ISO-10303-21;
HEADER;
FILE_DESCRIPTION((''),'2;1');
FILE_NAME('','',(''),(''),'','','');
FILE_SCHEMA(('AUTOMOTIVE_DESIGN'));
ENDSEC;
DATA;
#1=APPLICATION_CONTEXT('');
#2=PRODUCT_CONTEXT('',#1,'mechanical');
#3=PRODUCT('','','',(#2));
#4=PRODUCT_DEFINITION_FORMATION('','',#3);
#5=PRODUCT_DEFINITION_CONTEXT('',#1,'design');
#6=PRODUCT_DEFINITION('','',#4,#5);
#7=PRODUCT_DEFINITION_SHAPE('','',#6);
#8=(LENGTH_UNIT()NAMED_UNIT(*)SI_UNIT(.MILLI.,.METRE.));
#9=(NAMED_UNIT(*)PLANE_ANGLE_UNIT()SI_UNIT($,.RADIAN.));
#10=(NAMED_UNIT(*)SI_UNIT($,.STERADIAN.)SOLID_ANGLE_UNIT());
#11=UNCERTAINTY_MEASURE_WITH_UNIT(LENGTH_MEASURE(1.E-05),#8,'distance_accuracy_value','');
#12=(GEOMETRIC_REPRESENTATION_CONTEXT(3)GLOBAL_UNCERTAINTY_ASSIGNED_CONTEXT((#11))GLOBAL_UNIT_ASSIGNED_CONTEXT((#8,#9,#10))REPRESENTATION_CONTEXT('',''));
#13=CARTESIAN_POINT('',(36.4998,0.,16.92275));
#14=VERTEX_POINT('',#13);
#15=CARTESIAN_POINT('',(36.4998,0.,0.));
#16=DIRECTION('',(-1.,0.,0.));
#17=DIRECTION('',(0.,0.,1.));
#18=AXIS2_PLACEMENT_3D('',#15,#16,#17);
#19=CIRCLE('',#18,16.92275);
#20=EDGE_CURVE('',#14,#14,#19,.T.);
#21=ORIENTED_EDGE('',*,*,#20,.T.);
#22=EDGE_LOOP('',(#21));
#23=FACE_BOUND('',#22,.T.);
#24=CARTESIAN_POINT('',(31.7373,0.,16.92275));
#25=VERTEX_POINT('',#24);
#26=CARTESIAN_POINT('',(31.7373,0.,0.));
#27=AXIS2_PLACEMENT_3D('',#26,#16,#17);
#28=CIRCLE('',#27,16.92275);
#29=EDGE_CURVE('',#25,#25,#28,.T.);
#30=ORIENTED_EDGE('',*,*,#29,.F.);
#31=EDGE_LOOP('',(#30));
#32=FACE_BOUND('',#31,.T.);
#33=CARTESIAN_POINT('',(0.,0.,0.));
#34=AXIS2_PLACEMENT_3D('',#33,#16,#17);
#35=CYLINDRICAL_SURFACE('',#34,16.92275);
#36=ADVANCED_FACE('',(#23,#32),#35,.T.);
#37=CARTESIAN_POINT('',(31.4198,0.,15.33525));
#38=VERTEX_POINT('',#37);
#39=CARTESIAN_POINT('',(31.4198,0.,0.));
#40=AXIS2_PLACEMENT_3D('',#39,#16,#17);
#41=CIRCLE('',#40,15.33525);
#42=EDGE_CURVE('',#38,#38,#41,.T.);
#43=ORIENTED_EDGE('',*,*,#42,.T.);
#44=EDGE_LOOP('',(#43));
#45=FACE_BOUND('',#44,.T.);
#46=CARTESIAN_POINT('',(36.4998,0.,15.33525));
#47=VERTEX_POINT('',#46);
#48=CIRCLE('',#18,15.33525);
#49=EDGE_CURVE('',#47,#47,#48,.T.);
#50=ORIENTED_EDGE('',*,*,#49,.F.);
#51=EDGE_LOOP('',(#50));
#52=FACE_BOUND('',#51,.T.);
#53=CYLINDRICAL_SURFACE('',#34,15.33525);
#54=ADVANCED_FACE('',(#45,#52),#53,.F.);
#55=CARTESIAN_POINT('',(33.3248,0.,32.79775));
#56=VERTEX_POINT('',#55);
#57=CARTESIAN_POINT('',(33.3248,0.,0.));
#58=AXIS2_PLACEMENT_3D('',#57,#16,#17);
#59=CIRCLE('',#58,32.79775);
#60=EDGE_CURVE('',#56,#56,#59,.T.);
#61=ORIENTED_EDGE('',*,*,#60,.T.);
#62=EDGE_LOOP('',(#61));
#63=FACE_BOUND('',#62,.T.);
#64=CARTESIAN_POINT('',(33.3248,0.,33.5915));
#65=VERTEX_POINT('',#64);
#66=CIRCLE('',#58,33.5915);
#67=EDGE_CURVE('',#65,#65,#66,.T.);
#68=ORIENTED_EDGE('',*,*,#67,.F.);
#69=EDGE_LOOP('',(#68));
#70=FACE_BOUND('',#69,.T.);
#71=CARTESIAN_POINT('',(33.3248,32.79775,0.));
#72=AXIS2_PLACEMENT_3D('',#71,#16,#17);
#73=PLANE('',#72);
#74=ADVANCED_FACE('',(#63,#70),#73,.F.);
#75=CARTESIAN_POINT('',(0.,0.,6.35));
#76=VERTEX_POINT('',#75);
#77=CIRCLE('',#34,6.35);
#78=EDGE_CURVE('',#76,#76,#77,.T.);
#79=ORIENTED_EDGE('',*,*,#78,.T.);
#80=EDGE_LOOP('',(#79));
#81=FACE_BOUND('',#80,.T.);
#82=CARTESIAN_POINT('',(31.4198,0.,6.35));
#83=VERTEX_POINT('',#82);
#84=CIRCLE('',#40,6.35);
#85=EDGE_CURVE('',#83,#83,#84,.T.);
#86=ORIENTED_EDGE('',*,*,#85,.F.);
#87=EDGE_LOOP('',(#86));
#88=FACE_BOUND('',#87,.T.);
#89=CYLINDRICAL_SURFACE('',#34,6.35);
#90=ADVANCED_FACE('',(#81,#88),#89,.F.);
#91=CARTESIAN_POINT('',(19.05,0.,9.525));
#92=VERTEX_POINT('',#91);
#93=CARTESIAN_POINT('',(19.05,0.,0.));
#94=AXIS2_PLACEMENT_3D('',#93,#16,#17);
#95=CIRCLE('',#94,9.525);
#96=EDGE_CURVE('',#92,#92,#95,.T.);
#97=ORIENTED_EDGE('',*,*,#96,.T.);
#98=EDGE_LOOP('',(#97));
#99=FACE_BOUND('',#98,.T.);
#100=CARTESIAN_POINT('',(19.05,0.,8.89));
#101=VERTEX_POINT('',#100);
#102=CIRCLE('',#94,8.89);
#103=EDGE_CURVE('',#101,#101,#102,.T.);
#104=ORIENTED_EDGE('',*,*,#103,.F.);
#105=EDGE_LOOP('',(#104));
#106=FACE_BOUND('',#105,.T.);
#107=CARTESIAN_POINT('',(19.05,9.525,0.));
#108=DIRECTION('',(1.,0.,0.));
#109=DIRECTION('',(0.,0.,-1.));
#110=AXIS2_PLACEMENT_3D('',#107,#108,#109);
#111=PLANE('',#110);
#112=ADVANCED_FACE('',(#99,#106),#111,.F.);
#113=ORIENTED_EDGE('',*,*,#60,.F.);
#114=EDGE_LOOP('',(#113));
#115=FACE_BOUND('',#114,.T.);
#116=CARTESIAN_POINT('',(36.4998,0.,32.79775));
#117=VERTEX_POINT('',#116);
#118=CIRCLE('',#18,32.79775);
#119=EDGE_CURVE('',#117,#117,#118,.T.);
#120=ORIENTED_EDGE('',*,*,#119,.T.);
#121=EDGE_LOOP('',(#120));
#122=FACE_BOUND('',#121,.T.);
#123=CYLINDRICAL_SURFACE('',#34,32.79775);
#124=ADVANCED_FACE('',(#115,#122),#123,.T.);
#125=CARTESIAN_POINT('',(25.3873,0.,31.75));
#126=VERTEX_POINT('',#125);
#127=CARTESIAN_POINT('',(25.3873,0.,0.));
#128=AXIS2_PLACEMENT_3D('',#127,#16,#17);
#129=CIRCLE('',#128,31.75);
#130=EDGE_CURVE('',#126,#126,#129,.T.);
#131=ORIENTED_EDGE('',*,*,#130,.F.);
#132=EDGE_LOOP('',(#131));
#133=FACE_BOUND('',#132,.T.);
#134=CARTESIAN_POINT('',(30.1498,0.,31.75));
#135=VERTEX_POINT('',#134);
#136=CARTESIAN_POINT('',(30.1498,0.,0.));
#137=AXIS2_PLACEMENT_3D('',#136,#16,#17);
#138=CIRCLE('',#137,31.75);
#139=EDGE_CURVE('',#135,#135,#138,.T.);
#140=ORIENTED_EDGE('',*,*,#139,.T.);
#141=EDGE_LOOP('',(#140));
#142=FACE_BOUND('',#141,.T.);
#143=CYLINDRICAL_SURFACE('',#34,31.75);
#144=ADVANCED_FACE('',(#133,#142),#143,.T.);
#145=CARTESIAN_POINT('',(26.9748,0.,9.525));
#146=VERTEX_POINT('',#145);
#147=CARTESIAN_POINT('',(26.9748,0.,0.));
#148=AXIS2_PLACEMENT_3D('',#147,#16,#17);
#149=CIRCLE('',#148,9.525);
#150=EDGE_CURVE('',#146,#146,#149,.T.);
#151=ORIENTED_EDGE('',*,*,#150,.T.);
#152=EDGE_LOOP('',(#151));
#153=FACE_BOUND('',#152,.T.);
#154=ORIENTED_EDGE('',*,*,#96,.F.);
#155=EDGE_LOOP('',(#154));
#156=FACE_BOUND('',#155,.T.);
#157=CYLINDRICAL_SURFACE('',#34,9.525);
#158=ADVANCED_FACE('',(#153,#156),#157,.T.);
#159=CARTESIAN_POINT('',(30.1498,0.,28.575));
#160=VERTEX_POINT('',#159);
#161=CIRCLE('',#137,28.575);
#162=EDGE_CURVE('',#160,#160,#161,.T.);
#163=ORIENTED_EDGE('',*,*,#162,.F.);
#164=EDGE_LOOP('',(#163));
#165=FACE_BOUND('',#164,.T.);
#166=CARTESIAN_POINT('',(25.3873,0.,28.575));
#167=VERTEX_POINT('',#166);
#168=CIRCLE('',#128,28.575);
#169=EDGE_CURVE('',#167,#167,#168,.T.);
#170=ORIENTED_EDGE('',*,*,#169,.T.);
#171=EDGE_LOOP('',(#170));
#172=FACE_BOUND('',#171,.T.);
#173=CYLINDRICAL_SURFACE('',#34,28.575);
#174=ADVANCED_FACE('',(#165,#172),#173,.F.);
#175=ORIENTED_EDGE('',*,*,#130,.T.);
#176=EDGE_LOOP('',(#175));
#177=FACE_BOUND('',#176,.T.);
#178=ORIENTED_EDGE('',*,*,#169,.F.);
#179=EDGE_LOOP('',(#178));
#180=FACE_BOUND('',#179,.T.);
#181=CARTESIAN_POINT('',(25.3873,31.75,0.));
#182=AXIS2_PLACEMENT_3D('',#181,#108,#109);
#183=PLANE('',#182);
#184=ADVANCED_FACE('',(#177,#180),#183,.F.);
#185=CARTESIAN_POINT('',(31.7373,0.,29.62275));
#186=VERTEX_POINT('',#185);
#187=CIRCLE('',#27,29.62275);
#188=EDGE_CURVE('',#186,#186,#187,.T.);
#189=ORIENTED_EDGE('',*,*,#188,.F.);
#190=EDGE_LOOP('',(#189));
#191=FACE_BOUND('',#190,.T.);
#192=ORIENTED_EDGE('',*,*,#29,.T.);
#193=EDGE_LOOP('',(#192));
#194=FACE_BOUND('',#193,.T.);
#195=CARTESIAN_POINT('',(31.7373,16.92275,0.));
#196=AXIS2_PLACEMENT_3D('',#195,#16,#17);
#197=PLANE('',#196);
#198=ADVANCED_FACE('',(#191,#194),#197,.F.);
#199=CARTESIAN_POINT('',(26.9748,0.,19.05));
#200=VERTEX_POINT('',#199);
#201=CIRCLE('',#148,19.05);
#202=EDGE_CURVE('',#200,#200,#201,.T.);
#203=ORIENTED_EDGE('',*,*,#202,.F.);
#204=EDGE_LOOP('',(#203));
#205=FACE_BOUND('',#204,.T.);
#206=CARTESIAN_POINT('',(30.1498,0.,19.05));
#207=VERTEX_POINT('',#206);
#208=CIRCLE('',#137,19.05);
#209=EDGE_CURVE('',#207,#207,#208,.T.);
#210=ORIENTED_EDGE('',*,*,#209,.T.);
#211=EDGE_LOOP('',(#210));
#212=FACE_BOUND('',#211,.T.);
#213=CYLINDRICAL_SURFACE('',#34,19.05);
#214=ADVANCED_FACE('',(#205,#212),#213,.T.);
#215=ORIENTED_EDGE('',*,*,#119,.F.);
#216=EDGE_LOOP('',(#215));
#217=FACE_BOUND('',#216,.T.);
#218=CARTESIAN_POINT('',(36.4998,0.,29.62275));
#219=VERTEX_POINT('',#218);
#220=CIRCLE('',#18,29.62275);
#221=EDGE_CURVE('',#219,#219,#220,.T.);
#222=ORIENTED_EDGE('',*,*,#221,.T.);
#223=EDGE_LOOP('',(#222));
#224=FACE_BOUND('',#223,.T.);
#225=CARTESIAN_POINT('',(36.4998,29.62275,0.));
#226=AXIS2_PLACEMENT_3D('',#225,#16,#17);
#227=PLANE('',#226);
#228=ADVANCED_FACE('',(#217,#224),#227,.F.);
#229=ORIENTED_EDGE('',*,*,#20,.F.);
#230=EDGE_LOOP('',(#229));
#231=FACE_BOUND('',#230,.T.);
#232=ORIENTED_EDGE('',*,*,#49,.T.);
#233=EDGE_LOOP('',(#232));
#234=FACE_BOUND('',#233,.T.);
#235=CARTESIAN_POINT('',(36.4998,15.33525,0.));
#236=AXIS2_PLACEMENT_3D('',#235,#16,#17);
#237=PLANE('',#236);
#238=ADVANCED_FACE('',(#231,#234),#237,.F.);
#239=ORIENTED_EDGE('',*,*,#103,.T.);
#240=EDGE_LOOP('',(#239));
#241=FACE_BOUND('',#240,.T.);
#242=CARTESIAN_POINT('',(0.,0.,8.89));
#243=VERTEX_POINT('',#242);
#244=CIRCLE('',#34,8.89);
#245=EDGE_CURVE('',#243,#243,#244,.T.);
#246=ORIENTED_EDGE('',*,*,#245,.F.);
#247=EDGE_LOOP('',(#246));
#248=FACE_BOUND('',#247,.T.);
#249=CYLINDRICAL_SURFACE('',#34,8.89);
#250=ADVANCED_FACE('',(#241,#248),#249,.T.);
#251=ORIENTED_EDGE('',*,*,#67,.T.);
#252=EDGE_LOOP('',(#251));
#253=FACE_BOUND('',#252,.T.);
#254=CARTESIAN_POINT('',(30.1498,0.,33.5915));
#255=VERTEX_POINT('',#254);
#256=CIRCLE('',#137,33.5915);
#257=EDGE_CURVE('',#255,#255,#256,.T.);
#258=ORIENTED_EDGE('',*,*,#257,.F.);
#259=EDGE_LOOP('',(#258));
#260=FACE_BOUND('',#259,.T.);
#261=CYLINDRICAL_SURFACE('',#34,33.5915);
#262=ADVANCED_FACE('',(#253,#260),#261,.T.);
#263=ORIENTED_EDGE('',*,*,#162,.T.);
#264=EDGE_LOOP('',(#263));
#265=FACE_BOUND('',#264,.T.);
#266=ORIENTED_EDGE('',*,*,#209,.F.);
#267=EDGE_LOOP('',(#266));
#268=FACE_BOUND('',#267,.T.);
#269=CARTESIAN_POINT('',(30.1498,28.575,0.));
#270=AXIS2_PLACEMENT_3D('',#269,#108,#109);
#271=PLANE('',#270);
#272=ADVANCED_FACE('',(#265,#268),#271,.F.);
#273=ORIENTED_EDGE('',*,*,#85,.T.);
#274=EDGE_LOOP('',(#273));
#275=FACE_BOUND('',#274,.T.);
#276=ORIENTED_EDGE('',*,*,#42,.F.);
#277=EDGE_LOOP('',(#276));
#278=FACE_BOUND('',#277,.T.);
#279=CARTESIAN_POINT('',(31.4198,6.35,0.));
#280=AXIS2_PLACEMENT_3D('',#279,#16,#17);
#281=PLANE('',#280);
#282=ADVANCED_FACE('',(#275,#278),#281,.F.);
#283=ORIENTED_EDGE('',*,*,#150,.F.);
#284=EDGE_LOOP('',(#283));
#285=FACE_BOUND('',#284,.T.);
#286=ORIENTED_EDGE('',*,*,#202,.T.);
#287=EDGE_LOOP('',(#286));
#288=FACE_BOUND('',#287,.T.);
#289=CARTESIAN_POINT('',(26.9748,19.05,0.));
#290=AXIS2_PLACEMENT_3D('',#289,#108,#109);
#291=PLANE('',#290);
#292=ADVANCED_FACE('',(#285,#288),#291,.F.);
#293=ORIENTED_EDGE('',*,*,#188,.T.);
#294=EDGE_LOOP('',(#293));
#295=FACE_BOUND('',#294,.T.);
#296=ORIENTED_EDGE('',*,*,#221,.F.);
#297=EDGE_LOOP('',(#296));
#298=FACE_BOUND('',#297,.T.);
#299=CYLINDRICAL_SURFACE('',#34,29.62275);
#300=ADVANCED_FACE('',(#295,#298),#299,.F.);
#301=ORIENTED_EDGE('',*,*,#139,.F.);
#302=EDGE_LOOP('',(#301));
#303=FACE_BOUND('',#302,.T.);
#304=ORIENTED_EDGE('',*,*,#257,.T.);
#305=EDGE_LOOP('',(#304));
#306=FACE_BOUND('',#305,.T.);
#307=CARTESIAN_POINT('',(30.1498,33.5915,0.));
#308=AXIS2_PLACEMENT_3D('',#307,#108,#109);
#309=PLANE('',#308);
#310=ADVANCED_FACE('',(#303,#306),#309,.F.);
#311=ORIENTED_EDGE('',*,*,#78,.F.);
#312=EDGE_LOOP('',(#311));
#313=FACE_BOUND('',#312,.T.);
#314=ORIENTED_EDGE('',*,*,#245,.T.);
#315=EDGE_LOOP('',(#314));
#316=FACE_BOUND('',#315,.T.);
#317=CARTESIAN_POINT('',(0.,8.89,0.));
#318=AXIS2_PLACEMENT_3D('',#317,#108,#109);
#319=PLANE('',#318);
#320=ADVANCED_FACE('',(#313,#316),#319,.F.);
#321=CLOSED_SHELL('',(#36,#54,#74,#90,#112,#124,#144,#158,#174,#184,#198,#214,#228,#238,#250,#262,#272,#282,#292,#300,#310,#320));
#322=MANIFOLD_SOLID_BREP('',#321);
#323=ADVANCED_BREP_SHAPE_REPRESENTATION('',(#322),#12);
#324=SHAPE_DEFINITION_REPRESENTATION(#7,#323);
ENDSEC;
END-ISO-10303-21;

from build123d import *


with BuildPart() as part:
    # Sketch1 → Revolve1 (revolve)
    with BuildSketch(Plane.XY, mode=Mode.PRIVATE) as revolve1_sk:
        Polygon((0, 6.35), (31.4198, 6.35), (31.4198, 15.33525), (36.4998, 15.33525), (36.4998, 16.92275), (31.7373, 16.92275), (31.7373, 29.62275), (36.4998, 29.62275), (36.4998, 32.79775), (33.3248, 32.79775), (33.3248, 33.5915), (30.1498, 33.5915), (30.1498, 31.75), (25.3873, 31.75), (25.3873, 28.575), (30.1498, 28.575), (30.1498, 19.05), (26.9748, 19.05), (26.9748, 9.525), (19.05, 9.525), (19.05, 8.89), (0, 8.89), align=None)
    revolve(revolve1_sk.sketch.rotate(Axis((0, 0, 0), (1, 0, 0)), 90), axis=Axis((0, 0, 0), (1, 0, 0)))


solid = part.part
